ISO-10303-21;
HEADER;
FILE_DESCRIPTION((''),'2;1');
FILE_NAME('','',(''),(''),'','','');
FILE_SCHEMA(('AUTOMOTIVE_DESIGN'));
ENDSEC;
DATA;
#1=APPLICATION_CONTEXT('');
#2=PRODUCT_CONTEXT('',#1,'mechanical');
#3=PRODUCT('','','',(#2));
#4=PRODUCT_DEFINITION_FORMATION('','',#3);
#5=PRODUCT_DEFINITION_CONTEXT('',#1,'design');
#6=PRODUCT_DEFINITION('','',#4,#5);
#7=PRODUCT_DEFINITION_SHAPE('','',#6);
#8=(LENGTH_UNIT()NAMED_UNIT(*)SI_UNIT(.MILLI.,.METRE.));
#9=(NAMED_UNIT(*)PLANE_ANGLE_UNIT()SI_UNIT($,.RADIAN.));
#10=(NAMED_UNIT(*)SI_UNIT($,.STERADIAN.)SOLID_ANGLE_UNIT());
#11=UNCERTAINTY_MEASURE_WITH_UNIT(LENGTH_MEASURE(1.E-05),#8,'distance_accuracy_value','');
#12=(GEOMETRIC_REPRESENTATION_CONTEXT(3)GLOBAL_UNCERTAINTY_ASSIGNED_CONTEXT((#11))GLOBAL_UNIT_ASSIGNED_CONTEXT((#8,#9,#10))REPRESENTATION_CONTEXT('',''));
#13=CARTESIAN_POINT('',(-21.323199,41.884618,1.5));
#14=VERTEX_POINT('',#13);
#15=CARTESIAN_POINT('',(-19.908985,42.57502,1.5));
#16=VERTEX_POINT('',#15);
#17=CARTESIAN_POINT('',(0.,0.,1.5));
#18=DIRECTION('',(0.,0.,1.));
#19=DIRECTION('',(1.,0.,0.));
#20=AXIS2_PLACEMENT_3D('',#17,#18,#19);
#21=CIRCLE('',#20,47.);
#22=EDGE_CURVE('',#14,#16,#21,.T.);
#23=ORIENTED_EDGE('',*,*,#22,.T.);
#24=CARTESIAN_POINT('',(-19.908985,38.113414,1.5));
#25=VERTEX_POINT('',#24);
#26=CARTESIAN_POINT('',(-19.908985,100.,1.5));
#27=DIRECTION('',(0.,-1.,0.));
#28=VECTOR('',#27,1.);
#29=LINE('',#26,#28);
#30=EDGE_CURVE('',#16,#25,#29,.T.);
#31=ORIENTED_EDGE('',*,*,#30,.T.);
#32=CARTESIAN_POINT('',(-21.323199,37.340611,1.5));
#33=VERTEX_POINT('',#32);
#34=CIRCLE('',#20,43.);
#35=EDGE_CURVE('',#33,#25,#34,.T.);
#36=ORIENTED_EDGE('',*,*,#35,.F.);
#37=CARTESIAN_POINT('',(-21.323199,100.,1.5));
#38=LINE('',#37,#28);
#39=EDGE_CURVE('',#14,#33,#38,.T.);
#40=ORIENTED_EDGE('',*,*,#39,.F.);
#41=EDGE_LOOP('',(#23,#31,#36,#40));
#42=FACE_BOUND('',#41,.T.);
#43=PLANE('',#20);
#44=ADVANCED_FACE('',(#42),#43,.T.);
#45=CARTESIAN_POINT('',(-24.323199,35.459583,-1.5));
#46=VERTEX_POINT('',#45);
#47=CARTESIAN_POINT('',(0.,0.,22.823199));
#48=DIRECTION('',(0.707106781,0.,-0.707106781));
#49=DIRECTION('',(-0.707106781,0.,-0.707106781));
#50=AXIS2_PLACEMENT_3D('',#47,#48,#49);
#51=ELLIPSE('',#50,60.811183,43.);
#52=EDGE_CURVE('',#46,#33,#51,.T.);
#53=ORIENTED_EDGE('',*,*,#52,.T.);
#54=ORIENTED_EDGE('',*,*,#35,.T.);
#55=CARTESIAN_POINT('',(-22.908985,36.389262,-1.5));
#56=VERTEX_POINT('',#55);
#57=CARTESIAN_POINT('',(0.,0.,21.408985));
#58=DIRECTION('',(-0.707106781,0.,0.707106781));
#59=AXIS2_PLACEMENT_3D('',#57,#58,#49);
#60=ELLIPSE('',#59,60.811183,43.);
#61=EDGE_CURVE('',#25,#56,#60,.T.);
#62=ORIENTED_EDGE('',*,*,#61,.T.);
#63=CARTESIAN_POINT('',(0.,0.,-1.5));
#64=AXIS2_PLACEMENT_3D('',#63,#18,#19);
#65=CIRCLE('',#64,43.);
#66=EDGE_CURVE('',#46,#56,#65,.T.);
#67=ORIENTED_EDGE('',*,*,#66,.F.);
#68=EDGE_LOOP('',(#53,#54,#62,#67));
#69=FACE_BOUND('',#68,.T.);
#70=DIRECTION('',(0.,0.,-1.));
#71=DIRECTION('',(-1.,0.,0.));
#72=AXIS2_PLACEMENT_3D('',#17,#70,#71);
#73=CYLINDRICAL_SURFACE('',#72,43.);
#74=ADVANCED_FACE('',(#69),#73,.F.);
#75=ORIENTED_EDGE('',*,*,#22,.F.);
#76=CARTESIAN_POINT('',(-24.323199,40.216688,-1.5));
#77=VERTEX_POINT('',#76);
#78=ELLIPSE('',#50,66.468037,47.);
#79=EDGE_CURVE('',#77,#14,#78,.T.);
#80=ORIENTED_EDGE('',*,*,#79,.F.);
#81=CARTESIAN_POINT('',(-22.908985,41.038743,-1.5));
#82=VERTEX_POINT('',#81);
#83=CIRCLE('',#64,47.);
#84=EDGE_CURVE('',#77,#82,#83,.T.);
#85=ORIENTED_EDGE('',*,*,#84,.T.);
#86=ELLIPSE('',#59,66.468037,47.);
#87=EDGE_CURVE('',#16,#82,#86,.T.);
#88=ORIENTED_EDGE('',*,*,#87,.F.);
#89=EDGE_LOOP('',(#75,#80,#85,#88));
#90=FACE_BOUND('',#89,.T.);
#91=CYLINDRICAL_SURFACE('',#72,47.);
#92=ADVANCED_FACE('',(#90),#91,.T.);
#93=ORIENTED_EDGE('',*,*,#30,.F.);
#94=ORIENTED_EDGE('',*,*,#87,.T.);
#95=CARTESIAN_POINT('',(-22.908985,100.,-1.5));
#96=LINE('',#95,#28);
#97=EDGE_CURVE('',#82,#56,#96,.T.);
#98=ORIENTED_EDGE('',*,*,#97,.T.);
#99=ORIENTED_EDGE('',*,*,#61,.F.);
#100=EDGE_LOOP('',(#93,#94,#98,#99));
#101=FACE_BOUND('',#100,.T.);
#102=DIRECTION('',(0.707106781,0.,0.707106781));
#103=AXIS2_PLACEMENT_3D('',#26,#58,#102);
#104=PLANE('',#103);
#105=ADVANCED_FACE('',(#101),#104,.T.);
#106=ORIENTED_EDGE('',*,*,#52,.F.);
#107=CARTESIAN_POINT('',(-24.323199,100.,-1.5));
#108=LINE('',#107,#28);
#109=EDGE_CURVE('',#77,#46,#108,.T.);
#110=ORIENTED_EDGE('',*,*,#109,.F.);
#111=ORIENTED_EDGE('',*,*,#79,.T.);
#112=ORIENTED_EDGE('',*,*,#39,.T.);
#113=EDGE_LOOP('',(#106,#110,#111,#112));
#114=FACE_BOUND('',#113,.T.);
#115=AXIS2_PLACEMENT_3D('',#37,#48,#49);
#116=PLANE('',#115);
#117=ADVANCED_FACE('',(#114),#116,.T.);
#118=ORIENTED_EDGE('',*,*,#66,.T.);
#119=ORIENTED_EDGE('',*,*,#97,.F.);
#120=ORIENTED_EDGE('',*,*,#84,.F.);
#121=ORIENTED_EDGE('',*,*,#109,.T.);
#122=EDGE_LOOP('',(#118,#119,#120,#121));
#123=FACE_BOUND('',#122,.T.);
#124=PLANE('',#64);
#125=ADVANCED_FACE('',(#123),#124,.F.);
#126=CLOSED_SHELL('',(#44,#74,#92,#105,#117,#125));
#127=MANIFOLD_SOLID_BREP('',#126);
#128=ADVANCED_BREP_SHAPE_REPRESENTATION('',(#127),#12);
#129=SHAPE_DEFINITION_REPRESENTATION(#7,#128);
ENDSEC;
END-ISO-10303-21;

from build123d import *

# Parameters (mm, degrees)
SKETCH1_R           = 47
SKETCH1_R_2         = 43
BOSS_EXTRUDE1_DEPTH = 1.5
CUT_EXTRUDE1_DEPTH  = 100


with BuildPart() as part:
    # Sketch1 → Boss-Extrude1 (new, symmetric)
    with BuildSketch(Plane(origin=(0, 0, 0), x_dir=(0, 1, 0), z_dir=(0, 0, 1))):
        with Locations(Location((0, 0, 0), (0, 0, 270))):
            Circle(SKETCH1_R)
        with Locations(Location((0, 0, 0), (0, 0, 270))):
            Circle(SKETCH1_R_2, mode=Mode.SUBTRACT)
    extrude(amount=BOSS_EXTRUDE1_DEPTH, both=True)

    # Sketch4 → Cut-Extrude1 (cut)
    with BuildSketch(Plane(origin=(0, 0, 0), x_dir=(-1, 0, 0), z_dir=(0, 1, 0))):
        Polygon((19.908984976, 1.5), (22.908984976, -1.5), (24.323198539, -1.5), (21.323198539, 1.5), align=None)
    extrude(amount=CUT_EXTRUDE1_DEPTH, mode=Mode.SUBTRACT)


solid = part.part
